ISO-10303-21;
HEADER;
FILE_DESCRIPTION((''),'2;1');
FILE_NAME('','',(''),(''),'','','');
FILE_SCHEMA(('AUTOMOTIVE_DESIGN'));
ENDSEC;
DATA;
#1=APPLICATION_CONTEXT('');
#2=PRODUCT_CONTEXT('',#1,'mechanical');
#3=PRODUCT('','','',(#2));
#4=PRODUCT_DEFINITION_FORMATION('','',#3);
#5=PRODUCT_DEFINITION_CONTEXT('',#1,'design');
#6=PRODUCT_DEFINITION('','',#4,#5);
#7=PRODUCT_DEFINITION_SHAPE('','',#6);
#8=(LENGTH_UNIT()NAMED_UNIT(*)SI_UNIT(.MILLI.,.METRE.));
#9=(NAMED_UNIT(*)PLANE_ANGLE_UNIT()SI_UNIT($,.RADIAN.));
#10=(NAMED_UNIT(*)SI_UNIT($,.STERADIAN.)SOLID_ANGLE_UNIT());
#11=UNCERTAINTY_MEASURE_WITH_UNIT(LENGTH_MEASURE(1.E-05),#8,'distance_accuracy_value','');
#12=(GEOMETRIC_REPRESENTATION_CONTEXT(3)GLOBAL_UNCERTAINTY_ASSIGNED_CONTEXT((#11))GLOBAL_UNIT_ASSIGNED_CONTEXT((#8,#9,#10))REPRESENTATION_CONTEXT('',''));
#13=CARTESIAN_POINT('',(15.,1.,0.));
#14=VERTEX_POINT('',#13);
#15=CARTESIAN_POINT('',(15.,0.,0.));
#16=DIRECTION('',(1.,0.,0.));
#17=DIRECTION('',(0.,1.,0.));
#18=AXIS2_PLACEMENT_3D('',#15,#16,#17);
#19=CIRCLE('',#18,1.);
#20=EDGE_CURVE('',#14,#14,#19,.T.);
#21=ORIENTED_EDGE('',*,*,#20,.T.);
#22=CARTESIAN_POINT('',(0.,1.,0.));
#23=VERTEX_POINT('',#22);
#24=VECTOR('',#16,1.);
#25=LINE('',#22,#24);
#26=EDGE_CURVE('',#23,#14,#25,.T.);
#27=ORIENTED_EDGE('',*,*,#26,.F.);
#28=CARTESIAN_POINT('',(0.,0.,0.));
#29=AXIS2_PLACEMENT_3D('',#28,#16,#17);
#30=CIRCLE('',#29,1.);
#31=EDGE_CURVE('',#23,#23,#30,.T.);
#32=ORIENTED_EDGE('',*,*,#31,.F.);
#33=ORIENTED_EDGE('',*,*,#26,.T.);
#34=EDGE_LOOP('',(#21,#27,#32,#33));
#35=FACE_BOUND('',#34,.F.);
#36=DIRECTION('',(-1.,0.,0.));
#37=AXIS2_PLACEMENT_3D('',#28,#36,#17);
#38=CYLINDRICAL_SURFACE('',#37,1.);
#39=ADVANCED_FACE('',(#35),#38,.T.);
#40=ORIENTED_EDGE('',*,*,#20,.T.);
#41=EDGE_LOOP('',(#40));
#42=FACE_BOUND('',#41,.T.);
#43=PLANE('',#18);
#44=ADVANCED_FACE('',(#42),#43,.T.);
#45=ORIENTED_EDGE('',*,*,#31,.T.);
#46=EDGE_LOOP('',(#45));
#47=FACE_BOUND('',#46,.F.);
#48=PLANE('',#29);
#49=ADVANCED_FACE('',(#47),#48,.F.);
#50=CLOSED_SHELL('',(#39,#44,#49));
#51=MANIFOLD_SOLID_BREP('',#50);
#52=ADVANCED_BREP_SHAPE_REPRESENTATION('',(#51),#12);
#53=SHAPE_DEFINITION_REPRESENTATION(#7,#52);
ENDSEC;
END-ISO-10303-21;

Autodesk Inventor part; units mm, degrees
ref_plane "YZ Plane" through (0, 0, 0) normal (1, 0, 0) x (0, 1, 0)
ref_plane "XZ Plane" through (0, 0, 0) normal (0, 1, 0) x (-1, 0, 0)
ref_plane "XY Plane" through (0, 0, 0) normal (0, 0, 1) x (1, 0, 0)
sketch "草圖1" plane through (0, 0, 0) normal (1, 0, 0) x (0, 1, 0)
  circle A0 centre (0, 0) radius 1
  dimension "d0" = 2
extrude "擠出1" add sketch "草圖1" along normal blind 15
properties part number "銷12"
